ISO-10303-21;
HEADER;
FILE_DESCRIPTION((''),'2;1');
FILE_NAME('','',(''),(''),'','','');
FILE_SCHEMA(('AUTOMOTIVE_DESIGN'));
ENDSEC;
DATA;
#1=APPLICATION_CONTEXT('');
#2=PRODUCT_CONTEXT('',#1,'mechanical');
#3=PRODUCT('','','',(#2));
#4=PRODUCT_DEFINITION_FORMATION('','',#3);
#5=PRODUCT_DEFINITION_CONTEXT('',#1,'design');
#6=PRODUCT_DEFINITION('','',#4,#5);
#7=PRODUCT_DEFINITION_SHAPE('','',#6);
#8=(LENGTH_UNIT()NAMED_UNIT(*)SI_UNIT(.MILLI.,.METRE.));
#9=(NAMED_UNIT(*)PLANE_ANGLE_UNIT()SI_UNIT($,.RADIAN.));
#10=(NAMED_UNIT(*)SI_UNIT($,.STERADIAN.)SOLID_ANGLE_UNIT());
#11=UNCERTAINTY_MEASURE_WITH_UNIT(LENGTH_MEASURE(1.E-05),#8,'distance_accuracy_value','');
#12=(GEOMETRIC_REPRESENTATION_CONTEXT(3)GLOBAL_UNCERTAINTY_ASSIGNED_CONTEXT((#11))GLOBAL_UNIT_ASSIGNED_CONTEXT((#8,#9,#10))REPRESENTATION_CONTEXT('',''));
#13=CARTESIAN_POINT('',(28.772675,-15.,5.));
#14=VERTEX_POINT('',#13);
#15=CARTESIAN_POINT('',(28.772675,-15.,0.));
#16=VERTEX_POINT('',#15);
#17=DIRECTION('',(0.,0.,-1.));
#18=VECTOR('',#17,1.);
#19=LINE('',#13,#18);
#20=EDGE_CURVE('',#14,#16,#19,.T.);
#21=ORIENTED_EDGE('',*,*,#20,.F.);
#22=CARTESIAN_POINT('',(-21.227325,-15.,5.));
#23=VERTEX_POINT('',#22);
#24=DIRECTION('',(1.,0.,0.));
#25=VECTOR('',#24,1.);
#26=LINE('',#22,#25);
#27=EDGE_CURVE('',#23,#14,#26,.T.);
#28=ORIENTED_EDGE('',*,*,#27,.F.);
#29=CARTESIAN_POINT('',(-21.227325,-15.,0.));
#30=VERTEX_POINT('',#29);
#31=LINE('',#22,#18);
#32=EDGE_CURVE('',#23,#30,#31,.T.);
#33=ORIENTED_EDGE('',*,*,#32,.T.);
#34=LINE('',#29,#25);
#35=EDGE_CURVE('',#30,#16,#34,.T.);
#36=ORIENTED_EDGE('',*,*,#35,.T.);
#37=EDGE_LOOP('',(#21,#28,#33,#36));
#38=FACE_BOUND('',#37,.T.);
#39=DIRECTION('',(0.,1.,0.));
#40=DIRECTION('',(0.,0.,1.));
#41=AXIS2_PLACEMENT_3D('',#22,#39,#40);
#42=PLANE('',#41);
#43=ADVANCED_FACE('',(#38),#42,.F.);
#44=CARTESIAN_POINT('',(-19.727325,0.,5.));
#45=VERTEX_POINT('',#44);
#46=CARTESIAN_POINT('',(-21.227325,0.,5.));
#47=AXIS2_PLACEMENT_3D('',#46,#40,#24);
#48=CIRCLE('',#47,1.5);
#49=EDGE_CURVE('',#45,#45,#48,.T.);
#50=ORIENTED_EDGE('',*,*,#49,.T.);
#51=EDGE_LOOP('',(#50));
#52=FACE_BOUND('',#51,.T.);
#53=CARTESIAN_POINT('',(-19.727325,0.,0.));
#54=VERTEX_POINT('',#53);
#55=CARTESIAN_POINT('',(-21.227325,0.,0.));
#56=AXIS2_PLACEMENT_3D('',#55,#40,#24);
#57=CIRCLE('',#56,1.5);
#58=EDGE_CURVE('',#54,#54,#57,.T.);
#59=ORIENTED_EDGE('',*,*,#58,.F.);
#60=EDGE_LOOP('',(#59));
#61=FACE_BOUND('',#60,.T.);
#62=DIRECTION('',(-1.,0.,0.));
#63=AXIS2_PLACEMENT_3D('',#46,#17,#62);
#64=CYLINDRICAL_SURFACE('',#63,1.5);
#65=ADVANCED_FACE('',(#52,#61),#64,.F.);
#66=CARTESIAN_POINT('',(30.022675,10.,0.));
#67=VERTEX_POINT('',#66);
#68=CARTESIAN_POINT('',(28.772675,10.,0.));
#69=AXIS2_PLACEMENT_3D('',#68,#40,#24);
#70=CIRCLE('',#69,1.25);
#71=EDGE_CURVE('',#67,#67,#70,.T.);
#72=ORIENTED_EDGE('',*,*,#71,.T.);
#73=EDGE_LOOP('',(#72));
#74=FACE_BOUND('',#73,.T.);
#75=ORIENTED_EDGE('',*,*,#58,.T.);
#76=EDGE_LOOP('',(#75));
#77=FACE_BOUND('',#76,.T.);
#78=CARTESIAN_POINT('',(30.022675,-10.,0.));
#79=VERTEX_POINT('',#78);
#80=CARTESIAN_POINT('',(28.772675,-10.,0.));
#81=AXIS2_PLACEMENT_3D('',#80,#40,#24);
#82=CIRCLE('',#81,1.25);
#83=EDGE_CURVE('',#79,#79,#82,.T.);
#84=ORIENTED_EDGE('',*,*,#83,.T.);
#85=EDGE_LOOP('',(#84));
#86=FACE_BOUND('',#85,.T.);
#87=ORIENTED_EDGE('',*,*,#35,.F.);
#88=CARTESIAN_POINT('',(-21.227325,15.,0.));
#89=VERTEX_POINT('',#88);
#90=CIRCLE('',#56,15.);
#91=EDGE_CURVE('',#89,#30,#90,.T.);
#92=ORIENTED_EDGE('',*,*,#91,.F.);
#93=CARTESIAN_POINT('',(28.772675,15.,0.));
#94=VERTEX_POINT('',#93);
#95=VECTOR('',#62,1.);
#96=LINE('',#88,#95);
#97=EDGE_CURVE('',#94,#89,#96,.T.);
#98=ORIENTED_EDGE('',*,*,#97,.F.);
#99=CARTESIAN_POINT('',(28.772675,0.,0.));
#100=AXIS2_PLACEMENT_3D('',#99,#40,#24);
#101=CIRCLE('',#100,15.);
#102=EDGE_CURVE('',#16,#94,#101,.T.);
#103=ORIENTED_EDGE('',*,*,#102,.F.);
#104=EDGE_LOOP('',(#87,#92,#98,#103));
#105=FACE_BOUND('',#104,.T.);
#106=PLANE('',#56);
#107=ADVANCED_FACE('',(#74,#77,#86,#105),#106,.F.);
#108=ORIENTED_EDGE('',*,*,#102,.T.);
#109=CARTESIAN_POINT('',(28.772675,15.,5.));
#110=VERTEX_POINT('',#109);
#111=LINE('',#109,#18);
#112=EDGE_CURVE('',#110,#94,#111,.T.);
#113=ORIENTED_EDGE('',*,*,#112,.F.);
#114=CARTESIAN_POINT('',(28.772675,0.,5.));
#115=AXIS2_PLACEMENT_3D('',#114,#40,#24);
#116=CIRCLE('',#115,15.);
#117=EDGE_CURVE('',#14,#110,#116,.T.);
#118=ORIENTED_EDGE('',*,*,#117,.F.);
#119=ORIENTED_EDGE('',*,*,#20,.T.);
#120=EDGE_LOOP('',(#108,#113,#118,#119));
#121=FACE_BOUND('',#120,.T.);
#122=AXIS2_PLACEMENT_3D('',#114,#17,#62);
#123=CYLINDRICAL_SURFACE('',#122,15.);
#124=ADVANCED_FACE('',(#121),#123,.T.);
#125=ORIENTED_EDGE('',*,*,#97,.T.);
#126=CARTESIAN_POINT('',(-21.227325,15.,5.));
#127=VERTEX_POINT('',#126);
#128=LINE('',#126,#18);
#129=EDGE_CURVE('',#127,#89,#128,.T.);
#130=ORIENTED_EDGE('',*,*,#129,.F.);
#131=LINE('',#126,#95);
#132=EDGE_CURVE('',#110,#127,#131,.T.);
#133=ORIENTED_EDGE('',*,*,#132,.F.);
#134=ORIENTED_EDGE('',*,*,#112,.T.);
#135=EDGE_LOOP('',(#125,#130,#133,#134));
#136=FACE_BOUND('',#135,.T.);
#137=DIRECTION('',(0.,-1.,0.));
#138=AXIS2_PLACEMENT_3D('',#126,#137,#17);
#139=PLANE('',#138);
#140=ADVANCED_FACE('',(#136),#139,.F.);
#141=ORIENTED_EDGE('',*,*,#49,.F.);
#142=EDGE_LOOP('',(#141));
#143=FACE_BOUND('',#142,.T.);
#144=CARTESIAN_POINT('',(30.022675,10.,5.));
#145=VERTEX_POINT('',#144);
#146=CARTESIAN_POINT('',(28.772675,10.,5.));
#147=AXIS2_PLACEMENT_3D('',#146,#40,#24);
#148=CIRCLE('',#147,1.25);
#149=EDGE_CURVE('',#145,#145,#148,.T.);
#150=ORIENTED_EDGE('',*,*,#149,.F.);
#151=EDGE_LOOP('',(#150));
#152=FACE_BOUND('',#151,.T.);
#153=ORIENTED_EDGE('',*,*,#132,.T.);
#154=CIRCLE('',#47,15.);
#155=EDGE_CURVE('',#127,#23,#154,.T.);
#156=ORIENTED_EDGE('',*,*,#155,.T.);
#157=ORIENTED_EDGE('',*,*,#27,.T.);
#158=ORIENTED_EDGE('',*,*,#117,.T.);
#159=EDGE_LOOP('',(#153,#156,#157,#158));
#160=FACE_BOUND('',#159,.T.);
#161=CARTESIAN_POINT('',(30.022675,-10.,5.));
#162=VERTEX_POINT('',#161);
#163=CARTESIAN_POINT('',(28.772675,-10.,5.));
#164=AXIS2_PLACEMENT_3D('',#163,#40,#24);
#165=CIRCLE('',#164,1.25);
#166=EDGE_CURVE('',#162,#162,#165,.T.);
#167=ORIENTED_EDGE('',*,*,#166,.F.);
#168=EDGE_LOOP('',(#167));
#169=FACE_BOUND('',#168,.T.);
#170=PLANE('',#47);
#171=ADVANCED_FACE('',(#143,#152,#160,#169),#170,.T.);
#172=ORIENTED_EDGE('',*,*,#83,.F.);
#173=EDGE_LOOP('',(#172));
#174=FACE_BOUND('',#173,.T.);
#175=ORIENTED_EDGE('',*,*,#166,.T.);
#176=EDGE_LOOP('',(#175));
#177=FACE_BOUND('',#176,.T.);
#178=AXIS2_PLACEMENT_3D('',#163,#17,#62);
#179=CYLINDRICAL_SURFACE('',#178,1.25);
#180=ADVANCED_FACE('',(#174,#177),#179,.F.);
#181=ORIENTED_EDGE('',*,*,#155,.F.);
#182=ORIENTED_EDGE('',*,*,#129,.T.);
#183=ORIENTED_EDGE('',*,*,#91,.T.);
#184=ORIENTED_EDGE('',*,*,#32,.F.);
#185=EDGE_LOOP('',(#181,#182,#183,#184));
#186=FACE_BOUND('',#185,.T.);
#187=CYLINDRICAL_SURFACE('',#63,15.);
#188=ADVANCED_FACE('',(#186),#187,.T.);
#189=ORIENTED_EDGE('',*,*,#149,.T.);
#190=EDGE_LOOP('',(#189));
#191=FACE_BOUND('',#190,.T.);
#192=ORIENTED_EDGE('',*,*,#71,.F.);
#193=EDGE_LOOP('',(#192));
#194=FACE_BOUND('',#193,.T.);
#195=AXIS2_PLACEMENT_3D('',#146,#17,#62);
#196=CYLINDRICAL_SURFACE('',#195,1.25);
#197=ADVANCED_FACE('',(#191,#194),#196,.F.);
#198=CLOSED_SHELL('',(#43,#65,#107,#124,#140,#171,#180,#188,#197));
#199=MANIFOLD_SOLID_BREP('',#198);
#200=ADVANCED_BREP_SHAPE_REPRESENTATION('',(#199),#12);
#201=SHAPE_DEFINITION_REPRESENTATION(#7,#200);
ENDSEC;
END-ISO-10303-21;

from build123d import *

# Parameters (mm, degrees)
SKETCH1_R           = 1.25
SKETCH1_R_2         = 1.5
BOSS_EXTRUDE1_DEPTH = 5


with BuildPart() as part:
    # Sketch1 → Boss-Extrude1 (new body)
    with BuildSketch(Plane.XY):
        with BuildLine():
            Line((-21.22732467, 15), (28.77267533, 15))
            ThreePointArc((28.77267533, 15), (43.77267533, 0), (28.77267533, -15))
            Line((28.77267533, -15), (-21.22732467, -15))
            ThreePointArc((-21.22732467, -15), (-36.22732467, 0), (-21.22732467, 15))
        make_face()
        with Locations((28.77267533, -10)):
            Circle(SKETCH1_R, mode=Mode.SUBTRACT)
        with Locations((28.77267533, 10)):
            Circle(SKETCH1_R, mode=Mode.SUBTRACT)
        with Locations((-21.22732467, 0)):
            Circle(SKETCH1_R_2, mode=Mode.SUBTRACT)
    extrude(amount=BOSS_EXTRUDE1_DEPTH)


solid = part.part
